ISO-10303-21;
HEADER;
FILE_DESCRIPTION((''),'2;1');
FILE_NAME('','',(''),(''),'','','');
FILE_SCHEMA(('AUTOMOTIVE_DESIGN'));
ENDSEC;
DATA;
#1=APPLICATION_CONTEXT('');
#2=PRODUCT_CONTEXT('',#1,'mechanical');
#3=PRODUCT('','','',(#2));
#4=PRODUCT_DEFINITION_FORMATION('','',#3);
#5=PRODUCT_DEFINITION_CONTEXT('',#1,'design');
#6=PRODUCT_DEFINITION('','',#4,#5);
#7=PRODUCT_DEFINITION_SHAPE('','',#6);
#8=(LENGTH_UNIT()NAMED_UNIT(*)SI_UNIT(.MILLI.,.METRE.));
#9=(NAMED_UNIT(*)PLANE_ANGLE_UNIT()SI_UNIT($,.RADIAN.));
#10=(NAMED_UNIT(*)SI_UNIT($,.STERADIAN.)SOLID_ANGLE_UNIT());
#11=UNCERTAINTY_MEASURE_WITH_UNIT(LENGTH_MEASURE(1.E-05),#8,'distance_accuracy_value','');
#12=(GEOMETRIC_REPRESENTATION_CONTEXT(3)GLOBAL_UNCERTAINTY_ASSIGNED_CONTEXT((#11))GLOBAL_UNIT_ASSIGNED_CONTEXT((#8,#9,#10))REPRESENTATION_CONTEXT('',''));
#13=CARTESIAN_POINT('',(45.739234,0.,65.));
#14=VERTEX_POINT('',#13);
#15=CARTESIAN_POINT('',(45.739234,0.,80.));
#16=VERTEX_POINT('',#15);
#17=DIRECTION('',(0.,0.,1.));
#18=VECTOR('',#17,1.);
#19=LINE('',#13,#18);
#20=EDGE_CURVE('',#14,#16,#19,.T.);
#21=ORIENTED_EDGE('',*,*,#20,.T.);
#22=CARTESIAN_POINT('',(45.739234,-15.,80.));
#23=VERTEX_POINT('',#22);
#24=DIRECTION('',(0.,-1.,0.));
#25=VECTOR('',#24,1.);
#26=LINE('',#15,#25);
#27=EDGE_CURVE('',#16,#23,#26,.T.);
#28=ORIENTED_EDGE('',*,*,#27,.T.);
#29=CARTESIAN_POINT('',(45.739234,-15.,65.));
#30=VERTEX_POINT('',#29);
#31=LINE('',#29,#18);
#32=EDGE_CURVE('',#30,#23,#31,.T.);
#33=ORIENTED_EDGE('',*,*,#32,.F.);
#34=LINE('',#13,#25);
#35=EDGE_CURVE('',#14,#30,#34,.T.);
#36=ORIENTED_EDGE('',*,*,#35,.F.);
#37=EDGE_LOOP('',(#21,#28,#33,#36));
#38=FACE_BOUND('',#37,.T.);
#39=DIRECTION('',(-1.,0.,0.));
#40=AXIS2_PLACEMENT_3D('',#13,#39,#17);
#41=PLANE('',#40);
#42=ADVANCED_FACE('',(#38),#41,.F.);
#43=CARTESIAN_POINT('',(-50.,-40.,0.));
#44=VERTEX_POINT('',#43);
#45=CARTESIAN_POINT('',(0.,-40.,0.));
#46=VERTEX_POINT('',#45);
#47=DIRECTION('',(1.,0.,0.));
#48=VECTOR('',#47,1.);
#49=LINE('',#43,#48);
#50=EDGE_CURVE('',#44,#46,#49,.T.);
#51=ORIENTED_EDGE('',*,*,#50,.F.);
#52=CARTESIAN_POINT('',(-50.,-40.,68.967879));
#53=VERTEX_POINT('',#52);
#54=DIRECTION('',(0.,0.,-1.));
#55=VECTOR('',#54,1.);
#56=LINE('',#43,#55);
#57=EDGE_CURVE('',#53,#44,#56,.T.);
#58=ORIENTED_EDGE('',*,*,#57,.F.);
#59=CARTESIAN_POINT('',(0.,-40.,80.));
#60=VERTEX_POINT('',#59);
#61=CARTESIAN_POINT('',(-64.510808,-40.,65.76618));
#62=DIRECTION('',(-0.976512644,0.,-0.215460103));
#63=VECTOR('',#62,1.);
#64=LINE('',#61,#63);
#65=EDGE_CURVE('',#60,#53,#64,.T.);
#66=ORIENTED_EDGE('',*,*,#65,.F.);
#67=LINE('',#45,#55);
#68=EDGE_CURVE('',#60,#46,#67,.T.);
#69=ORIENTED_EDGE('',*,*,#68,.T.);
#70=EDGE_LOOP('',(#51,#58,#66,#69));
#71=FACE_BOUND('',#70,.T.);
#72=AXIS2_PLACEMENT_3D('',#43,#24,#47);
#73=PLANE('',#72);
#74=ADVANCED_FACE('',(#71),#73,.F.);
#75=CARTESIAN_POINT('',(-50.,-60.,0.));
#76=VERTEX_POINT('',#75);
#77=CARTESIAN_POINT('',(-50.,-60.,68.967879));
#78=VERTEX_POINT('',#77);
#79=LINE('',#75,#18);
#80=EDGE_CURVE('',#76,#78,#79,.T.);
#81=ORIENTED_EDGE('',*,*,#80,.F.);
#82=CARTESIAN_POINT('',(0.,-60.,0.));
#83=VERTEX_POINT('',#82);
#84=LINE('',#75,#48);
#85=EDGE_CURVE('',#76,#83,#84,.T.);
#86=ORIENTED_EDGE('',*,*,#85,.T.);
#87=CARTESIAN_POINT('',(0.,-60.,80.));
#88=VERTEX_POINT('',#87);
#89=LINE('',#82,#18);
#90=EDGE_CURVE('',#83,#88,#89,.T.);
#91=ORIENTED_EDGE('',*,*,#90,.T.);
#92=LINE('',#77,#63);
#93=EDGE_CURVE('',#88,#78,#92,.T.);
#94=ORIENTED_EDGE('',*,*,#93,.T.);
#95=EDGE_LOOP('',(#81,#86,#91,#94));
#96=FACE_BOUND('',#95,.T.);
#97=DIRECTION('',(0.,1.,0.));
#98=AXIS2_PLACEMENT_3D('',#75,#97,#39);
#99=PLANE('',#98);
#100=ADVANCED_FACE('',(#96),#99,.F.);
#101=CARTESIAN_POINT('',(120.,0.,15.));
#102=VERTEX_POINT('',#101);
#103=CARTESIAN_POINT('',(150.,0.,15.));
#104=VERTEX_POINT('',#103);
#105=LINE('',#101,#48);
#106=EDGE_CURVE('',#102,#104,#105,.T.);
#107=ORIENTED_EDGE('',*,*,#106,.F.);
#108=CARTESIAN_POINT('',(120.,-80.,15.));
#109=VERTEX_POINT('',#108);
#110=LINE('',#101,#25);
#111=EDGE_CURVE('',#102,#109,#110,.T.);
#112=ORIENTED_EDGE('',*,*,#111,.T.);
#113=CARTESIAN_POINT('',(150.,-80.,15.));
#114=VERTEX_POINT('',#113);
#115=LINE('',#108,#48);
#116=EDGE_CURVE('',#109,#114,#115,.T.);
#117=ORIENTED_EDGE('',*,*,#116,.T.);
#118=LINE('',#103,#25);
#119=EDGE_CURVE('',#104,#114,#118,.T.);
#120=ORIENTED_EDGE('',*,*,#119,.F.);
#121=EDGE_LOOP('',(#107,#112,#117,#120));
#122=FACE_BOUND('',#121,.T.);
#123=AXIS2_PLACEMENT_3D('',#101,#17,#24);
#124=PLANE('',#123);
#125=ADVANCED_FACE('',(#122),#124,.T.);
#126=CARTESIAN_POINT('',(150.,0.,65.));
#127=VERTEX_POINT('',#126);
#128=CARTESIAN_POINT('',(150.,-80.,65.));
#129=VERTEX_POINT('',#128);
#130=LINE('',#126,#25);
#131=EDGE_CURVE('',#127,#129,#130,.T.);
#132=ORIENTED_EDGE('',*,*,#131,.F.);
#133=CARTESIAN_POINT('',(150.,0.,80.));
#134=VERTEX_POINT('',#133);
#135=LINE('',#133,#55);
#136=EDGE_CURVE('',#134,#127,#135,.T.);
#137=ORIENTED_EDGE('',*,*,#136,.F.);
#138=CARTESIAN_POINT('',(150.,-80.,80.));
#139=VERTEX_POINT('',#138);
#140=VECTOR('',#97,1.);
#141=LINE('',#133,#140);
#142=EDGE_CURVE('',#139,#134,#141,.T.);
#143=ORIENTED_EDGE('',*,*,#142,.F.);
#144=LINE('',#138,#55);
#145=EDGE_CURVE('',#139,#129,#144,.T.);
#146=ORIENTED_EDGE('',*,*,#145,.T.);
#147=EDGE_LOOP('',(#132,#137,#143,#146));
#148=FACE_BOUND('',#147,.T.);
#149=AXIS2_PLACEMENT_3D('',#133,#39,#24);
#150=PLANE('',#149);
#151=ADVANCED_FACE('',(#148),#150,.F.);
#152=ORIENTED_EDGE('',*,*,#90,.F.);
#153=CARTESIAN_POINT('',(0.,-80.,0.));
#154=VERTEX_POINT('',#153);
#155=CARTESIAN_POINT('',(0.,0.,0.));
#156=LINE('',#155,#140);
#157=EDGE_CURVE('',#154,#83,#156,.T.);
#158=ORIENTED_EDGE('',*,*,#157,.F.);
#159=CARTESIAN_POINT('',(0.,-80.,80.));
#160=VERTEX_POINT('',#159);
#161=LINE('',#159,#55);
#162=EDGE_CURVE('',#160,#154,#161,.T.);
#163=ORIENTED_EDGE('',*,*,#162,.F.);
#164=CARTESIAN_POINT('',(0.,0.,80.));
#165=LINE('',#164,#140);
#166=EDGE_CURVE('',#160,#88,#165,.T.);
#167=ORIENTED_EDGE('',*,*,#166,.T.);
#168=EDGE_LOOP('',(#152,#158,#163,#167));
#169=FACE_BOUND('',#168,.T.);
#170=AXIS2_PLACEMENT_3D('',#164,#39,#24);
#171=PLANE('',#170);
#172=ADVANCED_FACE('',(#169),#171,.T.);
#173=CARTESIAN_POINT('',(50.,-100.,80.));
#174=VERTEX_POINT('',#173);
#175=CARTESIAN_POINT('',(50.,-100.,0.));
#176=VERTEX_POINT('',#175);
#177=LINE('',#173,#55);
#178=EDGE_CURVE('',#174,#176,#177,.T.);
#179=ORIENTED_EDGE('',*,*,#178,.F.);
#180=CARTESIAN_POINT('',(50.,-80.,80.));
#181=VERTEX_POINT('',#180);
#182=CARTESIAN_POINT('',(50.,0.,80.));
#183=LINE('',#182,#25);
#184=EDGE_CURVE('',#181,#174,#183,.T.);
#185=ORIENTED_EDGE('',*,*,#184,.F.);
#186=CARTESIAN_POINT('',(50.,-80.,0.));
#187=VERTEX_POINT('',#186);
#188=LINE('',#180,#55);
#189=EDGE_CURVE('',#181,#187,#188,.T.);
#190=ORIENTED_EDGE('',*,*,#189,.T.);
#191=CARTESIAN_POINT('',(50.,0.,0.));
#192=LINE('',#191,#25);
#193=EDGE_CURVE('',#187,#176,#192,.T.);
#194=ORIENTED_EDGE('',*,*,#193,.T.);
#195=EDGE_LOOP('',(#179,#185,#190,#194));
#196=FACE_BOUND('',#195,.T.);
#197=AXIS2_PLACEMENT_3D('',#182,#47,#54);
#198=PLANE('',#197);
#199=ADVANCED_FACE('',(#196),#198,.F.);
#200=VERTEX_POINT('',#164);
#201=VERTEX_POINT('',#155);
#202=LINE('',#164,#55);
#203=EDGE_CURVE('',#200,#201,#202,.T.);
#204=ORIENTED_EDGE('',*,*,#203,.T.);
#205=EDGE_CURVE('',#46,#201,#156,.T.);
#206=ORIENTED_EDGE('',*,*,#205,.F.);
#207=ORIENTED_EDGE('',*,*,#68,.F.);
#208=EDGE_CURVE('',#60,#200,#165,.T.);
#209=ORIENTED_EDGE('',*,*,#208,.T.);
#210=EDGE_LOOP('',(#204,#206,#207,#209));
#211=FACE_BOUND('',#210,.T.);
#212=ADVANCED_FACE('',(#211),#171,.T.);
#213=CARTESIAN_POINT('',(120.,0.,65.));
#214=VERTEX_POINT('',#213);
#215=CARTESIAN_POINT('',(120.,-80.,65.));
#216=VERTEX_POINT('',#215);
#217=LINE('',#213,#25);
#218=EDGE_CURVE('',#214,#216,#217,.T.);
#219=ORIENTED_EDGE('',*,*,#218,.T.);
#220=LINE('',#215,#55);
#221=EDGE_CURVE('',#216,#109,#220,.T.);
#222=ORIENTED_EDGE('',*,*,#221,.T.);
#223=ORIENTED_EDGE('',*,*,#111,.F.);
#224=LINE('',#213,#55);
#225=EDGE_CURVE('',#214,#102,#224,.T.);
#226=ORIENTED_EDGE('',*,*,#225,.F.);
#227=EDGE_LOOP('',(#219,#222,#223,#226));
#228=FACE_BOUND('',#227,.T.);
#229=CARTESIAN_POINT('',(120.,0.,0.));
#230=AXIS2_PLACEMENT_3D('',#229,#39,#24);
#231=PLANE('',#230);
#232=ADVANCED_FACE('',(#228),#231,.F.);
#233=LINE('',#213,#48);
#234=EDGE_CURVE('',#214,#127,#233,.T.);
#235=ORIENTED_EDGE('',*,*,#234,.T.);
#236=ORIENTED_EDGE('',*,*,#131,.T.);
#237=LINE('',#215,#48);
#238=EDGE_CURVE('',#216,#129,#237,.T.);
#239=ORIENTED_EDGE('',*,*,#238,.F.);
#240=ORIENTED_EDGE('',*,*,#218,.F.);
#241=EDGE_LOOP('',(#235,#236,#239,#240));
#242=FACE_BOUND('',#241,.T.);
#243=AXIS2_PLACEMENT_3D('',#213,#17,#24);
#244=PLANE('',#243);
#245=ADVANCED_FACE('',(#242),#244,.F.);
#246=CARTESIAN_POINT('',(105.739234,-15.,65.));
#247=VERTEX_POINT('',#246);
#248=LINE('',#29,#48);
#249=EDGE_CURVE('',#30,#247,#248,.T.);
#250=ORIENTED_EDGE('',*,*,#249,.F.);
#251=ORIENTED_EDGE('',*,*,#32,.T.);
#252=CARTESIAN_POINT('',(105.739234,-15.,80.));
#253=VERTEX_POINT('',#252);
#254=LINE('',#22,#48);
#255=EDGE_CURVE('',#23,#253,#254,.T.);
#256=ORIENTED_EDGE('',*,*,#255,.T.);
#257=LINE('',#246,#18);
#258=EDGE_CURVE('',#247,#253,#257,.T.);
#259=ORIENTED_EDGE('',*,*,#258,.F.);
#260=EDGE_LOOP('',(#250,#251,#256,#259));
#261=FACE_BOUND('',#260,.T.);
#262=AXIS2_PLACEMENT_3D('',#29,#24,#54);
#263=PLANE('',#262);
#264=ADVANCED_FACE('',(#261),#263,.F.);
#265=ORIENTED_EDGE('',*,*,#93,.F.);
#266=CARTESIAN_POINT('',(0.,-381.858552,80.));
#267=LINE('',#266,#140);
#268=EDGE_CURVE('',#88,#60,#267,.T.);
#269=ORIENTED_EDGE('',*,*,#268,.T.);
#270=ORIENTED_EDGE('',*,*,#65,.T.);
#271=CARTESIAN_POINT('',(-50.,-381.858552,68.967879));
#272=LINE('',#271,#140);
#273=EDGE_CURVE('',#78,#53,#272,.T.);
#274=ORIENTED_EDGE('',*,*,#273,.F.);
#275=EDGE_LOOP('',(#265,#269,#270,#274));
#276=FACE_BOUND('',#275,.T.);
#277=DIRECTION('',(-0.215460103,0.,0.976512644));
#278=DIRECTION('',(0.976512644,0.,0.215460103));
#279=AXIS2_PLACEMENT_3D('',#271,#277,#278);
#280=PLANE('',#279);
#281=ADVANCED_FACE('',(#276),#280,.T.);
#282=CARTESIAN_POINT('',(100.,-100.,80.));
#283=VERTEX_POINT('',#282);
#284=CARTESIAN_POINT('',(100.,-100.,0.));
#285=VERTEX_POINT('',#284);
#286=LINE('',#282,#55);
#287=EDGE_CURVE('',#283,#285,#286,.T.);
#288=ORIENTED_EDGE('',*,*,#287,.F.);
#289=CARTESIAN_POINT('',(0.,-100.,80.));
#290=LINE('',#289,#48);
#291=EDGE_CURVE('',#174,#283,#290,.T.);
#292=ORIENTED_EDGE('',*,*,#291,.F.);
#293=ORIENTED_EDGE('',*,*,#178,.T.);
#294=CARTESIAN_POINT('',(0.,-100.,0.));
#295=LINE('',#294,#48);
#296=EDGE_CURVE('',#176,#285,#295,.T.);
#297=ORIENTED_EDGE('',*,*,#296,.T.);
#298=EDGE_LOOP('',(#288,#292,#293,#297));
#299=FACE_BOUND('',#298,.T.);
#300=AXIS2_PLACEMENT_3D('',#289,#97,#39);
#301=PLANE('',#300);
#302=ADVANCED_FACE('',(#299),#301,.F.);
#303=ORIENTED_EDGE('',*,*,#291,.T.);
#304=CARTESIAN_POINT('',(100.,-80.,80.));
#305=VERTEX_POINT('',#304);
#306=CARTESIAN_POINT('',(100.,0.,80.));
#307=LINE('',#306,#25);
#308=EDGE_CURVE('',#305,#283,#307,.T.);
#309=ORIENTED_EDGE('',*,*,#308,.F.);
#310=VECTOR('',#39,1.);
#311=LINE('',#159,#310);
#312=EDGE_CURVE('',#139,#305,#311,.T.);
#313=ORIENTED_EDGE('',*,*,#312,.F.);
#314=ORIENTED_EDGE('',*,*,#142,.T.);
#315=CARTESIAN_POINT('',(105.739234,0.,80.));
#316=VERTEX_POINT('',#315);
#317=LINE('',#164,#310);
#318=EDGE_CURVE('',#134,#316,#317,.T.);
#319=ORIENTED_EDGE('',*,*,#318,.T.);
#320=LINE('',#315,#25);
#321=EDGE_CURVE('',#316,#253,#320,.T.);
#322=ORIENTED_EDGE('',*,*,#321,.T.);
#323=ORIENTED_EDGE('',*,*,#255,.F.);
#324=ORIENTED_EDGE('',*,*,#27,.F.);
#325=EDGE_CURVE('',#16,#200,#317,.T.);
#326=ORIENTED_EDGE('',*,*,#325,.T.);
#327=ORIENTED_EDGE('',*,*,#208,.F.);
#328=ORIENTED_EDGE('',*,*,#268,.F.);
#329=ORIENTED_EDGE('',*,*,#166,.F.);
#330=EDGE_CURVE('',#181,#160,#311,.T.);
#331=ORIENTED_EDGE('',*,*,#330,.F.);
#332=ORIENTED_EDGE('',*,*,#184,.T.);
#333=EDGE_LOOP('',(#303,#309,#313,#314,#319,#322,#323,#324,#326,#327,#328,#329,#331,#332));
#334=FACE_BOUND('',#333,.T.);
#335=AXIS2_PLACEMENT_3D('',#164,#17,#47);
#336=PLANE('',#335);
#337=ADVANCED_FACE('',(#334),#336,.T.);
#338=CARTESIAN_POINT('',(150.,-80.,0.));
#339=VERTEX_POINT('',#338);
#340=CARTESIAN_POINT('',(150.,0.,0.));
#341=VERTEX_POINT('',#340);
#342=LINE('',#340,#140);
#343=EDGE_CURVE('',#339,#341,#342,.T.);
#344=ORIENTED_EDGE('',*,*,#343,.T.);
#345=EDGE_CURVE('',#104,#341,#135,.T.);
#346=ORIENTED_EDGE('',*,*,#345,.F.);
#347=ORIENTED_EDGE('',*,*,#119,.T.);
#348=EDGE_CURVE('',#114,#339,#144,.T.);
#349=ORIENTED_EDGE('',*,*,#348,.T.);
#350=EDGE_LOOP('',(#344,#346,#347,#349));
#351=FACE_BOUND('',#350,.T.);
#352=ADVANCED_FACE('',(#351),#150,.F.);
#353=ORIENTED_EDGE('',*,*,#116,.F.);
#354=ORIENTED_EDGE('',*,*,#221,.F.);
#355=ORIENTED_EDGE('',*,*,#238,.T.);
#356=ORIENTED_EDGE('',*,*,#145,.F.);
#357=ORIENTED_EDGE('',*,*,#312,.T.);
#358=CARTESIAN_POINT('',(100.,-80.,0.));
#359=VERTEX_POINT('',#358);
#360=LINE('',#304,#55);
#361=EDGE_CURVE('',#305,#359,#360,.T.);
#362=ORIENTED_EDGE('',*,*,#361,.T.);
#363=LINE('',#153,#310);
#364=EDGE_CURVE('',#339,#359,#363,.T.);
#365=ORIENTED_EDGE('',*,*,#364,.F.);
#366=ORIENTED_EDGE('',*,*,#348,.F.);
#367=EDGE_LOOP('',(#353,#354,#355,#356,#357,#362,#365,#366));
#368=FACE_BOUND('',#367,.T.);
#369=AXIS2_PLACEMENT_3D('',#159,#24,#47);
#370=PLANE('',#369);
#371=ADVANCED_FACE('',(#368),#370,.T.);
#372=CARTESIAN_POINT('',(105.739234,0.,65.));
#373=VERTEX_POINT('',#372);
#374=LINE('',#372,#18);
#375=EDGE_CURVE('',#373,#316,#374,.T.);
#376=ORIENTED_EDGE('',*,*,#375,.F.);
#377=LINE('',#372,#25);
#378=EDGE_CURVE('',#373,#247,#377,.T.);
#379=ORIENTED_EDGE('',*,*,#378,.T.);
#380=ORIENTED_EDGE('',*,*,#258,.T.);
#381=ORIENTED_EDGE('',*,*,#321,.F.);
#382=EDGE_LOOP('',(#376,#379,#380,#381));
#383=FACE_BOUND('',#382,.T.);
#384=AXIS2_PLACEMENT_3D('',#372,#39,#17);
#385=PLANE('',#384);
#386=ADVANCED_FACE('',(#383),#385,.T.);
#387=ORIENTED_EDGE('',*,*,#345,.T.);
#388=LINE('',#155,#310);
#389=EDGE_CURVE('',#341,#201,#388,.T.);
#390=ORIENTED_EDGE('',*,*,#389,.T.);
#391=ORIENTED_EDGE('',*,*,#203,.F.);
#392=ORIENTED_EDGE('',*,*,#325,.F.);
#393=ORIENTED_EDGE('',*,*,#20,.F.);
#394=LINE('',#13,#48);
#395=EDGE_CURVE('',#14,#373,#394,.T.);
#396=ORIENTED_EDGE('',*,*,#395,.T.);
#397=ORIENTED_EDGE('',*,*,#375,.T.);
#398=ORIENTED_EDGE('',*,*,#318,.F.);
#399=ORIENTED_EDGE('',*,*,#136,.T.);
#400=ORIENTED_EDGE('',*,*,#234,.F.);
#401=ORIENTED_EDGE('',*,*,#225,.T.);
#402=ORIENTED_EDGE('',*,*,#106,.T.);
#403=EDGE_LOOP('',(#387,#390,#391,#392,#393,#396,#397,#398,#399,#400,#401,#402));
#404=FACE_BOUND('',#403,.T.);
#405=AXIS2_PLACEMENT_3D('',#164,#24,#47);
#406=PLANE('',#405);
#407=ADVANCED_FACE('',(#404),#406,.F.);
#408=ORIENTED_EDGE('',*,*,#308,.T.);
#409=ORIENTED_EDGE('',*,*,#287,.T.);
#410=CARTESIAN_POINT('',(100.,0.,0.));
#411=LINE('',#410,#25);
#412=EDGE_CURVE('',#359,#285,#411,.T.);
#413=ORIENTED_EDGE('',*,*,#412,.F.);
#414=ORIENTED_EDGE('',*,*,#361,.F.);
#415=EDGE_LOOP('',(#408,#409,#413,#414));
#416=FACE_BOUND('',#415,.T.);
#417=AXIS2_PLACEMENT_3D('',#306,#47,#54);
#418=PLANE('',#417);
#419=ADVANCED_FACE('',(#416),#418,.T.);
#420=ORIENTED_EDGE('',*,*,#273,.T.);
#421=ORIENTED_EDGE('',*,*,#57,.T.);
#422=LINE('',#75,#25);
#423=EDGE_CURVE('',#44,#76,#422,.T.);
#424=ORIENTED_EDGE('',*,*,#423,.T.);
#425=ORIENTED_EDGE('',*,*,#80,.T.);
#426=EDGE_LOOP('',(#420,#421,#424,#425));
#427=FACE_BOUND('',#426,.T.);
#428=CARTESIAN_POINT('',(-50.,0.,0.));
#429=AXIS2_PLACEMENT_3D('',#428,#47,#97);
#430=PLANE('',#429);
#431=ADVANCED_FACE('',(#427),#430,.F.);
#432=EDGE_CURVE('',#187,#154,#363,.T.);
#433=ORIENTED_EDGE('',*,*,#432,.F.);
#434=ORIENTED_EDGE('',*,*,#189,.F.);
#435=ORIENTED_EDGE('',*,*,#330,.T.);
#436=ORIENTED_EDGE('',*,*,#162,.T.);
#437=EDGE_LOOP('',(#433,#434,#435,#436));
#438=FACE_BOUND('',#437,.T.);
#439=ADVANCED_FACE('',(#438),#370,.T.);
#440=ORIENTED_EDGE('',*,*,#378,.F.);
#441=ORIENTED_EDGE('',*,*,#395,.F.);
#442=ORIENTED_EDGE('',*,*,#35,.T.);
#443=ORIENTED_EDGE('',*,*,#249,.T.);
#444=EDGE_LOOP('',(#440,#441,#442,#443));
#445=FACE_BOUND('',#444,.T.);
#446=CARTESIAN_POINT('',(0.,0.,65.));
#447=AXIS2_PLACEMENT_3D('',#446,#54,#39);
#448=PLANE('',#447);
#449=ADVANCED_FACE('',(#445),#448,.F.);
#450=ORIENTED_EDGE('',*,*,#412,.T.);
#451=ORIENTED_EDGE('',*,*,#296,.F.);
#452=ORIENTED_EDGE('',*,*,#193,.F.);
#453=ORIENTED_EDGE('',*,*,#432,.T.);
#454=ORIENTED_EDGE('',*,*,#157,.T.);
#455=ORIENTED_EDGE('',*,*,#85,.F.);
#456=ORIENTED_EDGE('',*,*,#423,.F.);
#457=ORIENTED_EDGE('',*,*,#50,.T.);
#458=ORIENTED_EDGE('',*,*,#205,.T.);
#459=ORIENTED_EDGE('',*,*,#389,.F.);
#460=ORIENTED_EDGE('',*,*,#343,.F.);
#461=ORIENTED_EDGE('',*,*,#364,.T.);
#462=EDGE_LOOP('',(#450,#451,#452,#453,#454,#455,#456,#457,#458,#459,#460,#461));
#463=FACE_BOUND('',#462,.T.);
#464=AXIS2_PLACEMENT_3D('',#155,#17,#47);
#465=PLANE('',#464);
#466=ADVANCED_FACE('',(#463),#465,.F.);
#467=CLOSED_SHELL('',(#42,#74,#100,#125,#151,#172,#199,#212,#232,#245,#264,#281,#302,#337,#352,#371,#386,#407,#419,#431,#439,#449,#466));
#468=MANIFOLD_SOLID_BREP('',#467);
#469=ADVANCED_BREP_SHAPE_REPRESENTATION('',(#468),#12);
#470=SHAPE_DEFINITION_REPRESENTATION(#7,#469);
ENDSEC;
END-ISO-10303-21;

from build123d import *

# Parameters (mm, degrees)
SKETCH_1_W               = 50
SKETCH_1_H               = 20
SKETCH_1_W_2             = 150
SKETCH_1_H_2             = 80
EXTRUDE_3_DEPTH          = 80
SKETCH_3_W               = 80
SKETCH_3_H               = 20
EXTRUDE_4_DEPTH          = 50
CUT_EXTRUDE_1_DEPTH      = 181.277563773
CUT_EXTRUDE_1_DEPTH_BACK = 50
SKETCH_5_W               = 50
SKETCH_5_H               = 80
CUT_EXTRUDE_2_DEPTH      = 30
SKETCH_6_W               = 60
SKETCH_6_H               = 15
CUT_EXTRUDE_3_DEPTH      = 15


with BuildPart() as part:
    # Эскиз1 → Бобышка-Вытянуть3 (new body)
    with BuildSketch(Plane.XY):
        with Locations((75, -90)):
            Rectangle(SKETCH_1_W, SKETCH_1_H)
        with Locations((75, -40)):
            Rectangle(SKETCH_1_W_2, SKETCH_1_H_2)
    extrude(amount=EXTRUDE_3_DEPTH)

    # Эскиз3 → Бобышка-Вытянуть4 (add)
    with BuildSketch(Plane.ZY):
        with Locations((40, -50)):
            Rectangle(SKETCH_3_W, SKETCH_3_H)
    extrude(amount=EXTRUDE_4_DEPTH)

    # Эскиз4 → Вырез-Вытянуть1 (cut, two sides: drawn at the far end of the back side and taken through both)
    with BuildSketch(Plane.XZ.offset(60).offset(-CUT_EXTRUDE_1_DEPTH_BACK)):
        Polygon((-50, 70.981091189), (-50, 68.967879487), (0, 80), (-50, 80), align=None)
    extrude(amount=CUT_EXTRUDE_1_DEPTH + CUT_EXTRUDE_1_DEPTH_BACK, mode=Mode.SUBTRACT)

    # Эскиз5 → Вырез-Вытянуть2 (cut)
    with BuildSketch(Plane(origin=(150, 0, 0), x_dir=(0, 0, -1), z_dir=(1, 0, 0))):
        with Locations((-40, -40)):
            Rectangle(SKETCH_5_W, SKETCH_5_H)
    extrude(amount=-CUT_EXTRUDE_2_DEPTH, mode=Mode.SUBTRACT)

    # Эскиз6 → Вырез-Вытянуть3 (cut)
    with BuildSketch(Plane.XY.offset(80)):
        with Locations((75.739234494, -7.5)):
            Rectangle(SKETCH_6_W, SKETCH_6_H)
    extrude(amount=-CUT_EXTRUDE_3_DEPTH, mode=Mode.SUBTRACT)


solid = part.part
